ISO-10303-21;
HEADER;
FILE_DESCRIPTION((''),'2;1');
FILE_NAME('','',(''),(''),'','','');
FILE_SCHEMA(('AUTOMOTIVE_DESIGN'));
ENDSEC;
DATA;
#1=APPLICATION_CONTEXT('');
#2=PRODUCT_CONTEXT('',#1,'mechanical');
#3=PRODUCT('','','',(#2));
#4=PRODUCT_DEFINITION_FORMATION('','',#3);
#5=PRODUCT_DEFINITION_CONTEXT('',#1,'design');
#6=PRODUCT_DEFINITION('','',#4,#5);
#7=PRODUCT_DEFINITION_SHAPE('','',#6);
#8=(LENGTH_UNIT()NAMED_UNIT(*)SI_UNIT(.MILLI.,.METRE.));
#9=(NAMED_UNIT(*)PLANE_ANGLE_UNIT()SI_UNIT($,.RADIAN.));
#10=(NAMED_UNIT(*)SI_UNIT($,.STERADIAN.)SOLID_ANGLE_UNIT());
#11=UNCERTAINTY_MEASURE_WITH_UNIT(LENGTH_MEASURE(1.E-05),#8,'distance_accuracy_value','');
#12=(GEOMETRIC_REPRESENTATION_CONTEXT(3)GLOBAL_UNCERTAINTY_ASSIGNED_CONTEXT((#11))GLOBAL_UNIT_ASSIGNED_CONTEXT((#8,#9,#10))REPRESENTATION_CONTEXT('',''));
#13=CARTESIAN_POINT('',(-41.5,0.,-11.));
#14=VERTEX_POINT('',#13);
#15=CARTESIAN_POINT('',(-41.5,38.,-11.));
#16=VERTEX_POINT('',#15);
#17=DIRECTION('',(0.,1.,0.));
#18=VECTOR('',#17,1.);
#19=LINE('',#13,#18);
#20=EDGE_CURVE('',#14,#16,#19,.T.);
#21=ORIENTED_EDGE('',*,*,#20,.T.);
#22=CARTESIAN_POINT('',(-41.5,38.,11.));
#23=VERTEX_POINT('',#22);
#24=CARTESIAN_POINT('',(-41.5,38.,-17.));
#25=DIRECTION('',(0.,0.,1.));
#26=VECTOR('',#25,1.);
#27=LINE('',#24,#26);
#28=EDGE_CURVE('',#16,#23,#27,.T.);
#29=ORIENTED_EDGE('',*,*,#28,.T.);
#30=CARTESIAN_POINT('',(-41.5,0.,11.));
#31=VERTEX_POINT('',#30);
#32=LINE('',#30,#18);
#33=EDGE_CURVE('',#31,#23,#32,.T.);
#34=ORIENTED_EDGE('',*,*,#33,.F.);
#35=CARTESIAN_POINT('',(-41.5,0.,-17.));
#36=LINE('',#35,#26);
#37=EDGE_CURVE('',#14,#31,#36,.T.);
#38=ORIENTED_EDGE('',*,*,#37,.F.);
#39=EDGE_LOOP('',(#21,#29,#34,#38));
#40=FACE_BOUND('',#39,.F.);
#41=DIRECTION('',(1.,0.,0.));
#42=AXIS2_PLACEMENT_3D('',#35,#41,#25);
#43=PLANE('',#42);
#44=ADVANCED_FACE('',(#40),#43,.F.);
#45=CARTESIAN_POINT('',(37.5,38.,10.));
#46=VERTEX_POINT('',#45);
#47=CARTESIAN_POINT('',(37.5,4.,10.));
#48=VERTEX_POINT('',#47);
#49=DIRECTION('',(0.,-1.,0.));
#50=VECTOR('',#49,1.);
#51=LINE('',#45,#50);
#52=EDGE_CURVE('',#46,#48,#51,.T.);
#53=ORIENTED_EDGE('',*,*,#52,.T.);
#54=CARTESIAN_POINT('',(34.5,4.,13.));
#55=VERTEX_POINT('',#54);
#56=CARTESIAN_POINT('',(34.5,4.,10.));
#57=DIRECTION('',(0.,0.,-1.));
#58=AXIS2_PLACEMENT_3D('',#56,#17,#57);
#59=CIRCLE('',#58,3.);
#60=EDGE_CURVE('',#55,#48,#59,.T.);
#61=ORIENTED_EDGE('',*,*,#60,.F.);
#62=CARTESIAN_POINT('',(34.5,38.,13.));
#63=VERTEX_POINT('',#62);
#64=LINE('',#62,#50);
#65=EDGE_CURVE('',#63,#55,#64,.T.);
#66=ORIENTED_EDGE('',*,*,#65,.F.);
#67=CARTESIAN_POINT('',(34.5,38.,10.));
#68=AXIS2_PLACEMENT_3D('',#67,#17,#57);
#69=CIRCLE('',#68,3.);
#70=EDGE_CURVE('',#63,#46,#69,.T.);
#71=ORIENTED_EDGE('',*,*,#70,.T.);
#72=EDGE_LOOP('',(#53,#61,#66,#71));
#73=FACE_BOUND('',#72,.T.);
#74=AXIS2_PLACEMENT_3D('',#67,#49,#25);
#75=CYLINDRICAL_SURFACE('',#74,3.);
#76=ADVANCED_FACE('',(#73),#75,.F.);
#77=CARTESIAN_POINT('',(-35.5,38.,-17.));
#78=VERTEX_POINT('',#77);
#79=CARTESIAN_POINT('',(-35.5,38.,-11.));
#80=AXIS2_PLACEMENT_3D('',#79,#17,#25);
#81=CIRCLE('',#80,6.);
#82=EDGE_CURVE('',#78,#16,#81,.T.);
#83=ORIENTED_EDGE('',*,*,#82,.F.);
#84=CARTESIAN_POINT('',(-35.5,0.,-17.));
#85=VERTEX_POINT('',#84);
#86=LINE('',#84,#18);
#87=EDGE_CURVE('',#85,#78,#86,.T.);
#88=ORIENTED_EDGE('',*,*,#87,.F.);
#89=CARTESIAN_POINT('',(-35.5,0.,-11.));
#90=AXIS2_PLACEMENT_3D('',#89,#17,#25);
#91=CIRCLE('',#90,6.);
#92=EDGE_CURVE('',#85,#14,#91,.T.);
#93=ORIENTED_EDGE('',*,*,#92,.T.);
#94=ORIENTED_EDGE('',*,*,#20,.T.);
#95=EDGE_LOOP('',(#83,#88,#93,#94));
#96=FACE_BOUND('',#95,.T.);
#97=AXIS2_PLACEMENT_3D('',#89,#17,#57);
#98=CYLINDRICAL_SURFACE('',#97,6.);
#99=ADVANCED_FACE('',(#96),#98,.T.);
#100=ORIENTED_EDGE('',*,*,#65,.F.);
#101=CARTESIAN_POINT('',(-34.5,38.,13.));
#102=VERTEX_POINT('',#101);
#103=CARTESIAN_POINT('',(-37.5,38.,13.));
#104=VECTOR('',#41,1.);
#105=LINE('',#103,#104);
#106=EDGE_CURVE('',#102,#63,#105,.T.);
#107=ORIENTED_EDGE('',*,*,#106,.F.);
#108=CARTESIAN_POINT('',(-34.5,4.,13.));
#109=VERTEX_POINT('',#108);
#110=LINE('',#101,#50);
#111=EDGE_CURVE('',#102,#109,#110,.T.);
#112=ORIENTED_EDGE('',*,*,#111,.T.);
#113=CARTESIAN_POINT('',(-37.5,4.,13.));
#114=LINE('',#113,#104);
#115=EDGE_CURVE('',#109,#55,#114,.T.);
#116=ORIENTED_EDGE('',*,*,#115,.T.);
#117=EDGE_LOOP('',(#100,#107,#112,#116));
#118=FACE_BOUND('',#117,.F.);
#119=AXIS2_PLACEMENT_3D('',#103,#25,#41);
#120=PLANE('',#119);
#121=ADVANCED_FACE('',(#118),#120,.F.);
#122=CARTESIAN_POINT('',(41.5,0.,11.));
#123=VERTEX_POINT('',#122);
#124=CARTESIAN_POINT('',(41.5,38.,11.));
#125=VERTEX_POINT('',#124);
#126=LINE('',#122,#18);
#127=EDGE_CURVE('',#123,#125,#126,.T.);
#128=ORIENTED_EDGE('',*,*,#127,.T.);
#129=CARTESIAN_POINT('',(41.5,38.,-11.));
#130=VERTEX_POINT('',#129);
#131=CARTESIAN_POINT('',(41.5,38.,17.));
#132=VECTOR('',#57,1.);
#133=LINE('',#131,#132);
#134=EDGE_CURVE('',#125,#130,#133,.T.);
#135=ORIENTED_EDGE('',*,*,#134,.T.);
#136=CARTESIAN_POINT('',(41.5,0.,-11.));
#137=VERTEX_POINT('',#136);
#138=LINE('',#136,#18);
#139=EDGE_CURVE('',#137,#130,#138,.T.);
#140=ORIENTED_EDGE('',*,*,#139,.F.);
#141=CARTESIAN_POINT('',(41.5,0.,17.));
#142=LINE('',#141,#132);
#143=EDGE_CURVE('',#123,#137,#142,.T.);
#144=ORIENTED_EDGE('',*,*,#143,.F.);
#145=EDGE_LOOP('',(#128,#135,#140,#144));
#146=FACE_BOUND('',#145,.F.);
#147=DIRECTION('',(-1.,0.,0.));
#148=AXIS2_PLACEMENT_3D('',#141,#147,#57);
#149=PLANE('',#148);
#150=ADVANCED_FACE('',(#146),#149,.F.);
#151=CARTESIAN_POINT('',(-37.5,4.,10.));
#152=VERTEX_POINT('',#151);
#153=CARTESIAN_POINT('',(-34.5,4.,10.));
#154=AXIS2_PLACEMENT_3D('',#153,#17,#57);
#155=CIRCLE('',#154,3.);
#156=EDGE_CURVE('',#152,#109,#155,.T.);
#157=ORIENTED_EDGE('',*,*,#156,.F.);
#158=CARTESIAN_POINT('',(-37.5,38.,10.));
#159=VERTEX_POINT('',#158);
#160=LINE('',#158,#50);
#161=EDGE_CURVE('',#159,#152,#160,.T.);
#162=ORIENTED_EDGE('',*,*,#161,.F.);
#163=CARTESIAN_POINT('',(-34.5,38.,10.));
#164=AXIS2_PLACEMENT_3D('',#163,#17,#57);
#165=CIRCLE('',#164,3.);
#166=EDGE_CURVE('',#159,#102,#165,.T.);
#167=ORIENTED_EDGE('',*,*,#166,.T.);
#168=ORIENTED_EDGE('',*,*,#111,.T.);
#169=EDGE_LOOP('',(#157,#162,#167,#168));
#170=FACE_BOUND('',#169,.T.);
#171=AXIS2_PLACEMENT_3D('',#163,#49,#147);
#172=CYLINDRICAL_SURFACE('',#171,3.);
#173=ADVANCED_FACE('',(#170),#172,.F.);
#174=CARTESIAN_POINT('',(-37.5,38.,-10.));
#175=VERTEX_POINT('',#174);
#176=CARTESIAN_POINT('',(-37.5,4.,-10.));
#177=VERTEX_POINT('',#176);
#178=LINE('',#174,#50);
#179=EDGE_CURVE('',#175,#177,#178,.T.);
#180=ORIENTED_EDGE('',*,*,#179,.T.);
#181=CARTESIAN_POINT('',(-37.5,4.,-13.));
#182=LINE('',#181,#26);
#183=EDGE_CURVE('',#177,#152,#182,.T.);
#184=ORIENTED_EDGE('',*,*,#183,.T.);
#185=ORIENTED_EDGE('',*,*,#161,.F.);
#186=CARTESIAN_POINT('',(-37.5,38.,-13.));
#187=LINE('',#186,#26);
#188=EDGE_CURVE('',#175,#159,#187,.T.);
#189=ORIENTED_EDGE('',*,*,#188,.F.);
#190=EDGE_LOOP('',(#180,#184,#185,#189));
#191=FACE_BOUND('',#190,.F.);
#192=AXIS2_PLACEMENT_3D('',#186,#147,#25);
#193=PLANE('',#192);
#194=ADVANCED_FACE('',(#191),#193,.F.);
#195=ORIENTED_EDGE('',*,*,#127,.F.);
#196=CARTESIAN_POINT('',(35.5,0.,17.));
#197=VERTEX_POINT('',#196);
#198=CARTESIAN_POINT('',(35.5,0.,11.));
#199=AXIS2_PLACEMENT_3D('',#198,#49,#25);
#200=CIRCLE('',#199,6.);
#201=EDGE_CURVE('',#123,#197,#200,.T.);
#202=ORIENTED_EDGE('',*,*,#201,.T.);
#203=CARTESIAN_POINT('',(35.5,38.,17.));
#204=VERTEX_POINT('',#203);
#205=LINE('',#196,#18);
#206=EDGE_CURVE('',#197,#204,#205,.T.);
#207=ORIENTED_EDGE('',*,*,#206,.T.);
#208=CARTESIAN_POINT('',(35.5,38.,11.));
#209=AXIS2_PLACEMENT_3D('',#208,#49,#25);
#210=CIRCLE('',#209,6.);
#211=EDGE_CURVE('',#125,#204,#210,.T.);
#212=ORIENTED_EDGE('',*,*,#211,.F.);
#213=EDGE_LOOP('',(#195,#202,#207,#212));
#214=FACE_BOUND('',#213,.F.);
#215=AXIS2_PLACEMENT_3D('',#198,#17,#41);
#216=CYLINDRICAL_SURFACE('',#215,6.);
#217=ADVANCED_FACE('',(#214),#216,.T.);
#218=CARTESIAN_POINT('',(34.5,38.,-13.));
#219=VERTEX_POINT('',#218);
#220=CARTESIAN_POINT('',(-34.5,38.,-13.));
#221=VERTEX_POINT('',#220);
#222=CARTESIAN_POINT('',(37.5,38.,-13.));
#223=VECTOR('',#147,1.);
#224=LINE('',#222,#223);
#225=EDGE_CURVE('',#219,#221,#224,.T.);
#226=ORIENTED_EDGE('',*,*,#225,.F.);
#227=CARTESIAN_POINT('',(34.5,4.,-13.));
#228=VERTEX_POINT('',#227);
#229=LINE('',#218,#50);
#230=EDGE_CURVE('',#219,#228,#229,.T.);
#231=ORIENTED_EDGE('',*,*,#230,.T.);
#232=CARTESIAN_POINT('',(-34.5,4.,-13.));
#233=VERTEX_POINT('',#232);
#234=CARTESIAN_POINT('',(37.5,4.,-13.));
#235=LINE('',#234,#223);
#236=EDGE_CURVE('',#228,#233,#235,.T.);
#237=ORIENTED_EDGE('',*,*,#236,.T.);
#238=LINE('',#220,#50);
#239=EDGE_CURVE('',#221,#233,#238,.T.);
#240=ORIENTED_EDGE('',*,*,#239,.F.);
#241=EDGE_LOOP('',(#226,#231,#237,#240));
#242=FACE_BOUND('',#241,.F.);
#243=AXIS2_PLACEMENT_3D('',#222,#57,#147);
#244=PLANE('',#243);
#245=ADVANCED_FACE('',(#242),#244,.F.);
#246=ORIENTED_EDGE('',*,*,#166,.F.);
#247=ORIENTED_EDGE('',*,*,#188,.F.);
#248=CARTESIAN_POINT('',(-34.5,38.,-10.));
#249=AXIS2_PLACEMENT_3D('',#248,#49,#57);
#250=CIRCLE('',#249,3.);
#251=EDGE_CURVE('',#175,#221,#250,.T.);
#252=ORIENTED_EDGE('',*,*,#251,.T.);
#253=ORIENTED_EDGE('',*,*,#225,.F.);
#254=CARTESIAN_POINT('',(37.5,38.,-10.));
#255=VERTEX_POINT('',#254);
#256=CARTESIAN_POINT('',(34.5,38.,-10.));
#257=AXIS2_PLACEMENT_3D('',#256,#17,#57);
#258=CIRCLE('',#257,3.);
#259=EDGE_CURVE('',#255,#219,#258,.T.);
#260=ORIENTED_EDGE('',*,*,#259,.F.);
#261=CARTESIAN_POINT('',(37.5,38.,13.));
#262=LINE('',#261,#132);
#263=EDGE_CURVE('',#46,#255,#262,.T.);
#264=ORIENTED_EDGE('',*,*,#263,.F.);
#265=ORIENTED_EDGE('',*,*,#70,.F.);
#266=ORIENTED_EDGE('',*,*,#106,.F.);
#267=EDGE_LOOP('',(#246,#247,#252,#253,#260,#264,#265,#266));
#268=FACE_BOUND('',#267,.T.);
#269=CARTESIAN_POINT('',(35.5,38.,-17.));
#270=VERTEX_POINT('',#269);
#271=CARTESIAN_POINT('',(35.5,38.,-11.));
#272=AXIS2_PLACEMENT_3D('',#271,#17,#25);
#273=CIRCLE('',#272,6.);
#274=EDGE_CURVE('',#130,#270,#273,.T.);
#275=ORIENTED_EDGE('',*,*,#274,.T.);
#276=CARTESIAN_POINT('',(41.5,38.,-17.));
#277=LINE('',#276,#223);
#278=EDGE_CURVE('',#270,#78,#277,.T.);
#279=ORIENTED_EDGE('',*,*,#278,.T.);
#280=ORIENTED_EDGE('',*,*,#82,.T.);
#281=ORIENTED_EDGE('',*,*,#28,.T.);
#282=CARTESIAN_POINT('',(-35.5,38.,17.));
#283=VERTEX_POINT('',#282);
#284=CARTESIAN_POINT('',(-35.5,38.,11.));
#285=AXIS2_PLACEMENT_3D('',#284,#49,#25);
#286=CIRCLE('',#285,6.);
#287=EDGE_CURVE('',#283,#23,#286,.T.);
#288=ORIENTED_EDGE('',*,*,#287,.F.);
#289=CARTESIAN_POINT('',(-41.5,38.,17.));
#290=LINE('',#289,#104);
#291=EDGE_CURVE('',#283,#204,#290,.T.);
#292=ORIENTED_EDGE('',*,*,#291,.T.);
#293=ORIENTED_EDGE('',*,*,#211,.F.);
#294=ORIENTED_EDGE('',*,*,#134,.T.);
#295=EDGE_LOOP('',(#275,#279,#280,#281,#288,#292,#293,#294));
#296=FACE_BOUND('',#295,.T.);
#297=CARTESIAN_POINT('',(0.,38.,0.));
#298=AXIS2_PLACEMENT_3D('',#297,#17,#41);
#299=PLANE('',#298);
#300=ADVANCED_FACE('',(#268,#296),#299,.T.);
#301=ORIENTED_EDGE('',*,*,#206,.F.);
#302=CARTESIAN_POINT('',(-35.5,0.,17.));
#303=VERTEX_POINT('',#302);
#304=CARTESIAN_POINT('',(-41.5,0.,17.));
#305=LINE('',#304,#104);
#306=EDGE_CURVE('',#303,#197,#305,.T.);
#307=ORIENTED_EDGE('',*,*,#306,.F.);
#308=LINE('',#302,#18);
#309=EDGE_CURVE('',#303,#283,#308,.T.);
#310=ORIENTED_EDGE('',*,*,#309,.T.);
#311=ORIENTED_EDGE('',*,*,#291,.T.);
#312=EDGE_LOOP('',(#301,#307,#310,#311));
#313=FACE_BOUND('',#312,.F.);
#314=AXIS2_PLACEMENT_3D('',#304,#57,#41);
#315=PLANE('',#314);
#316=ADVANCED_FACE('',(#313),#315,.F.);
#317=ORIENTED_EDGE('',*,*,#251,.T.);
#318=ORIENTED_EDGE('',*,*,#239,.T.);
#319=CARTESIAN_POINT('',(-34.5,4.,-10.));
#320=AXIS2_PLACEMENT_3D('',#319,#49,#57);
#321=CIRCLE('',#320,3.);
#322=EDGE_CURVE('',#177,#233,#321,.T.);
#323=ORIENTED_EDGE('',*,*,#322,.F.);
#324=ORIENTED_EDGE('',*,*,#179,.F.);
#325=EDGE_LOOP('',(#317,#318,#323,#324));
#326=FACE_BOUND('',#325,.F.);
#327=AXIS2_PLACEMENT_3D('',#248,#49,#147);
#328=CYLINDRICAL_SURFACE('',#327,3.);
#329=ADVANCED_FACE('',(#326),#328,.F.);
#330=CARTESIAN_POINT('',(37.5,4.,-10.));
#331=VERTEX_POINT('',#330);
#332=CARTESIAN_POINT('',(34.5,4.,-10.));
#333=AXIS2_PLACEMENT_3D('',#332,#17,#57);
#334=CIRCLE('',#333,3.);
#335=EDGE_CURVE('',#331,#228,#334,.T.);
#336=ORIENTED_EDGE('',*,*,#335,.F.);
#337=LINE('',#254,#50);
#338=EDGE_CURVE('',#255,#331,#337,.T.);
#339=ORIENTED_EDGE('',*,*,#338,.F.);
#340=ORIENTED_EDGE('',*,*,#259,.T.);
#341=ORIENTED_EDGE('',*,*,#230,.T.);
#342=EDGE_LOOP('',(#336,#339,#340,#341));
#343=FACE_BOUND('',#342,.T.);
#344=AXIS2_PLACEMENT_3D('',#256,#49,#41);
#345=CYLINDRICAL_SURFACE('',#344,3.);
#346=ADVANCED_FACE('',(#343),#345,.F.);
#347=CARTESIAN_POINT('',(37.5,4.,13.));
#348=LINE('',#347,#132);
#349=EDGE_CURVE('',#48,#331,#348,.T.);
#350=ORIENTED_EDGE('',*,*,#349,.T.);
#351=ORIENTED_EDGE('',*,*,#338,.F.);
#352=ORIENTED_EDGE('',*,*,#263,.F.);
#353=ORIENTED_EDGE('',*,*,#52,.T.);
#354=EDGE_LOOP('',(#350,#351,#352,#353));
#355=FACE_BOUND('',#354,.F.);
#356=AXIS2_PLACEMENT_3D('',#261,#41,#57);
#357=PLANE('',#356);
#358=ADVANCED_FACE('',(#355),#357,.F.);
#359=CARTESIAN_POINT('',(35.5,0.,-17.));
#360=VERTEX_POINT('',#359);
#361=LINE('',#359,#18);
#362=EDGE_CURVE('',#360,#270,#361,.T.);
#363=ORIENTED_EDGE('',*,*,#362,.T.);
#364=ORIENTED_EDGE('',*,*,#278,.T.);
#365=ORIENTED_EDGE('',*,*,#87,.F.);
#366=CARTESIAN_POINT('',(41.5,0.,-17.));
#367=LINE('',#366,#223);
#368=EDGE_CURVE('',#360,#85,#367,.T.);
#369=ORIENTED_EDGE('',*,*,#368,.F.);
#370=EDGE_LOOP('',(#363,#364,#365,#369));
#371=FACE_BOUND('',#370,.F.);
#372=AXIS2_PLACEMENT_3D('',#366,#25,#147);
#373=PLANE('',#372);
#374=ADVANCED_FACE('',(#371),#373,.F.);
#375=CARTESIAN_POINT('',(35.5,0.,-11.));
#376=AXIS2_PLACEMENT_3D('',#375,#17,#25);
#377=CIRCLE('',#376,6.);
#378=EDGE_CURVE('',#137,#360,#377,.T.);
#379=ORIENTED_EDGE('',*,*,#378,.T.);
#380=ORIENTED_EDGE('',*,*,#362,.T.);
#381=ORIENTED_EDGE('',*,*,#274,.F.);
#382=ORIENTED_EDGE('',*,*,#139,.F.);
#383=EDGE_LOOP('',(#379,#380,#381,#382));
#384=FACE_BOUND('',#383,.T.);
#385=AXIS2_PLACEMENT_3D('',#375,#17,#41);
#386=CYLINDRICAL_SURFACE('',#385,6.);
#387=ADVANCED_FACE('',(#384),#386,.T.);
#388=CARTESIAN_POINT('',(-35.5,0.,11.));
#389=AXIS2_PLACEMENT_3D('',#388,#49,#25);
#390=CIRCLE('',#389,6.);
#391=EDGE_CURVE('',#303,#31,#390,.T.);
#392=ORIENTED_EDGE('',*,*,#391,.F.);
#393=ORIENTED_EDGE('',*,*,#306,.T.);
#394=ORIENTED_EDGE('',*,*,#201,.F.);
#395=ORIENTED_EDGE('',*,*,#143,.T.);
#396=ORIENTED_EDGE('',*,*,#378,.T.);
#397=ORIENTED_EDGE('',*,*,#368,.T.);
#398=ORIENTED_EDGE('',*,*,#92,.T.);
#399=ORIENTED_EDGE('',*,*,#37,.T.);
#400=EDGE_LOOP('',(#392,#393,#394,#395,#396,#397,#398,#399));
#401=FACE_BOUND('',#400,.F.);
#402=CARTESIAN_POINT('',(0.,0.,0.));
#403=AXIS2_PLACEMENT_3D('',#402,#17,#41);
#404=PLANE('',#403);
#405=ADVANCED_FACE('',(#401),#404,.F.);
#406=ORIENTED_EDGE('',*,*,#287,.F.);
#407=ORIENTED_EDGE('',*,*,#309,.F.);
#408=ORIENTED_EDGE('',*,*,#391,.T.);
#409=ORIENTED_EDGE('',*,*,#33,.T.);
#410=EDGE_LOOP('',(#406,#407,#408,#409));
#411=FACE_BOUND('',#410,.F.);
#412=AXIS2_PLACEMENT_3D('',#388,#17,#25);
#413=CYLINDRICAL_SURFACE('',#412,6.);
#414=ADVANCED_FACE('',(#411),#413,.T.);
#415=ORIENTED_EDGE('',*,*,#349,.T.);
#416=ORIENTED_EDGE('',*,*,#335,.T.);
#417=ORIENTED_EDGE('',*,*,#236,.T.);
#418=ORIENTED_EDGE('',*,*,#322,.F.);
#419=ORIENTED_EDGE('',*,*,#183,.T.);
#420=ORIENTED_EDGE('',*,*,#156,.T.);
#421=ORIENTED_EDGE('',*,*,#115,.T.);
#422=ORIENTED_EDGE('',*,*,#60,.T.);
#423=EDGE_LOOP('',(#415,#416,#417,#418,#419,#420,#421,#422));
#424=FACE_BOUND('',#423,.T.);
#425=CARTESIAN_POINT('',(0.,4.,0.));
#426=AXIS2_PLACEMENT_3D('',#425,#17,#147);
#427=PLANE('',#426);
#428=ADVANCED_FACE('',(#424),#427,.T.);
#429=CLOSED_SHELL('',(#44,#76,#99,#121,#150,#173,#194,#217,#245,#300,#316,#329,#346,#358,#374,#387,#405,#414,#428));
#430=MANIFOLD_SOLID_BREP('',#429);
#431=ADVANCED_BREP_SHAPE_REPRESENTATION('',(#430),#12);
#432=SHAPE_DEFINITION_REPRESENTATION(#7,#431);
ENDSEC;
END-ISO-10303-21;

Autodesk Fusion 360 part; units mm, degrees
sketch "Sketch1" plane through (0, 0, 0) normal (0, 1, 0) x (1, 0, 0) in component "Body"
  line L0 (41.5, 17) -> (-41.5, 17)
  line L1 (-41.5, 17) -> (-41.5, -17)
  line L2 (-41.5, -17) -> (41.5, -17)
  line L3 (41.5, -17) -> (41.5, 17)
  line L4 (41.5, 17) -> (-41.5, -17) construction
  line L5 (-41.5, 17) -> (41.5, -17) construction
  dimension "d1" = 83
  dimension "d2" = 34
extrude "Extrude1" add sketch "Sketch1" along normal blind 38
sketch "Sketch1 (2)" plane through (0, 38, 0) normal (0, 1, 0) x (-1, 0, 0)
  line L0 (-41.5, 17) -> (-41.5, -17)
  line L1 (-41.5, -17) -> (41.5, -17)
  line L2 (41.5, -17) -> (41.5, 17)
  line L3 (41.5, 17) -> (-41.5, 17)
  line L4 (37.5, 13) -> (-37.5, 13)
  line L5 (-37.5, 13) -> (-37.5, -13)
  line L6 (-37.5, -13) -> (37.5, -13)
  line L7 (37.5, -13) -> (37.5, 13)
  dimension "d5" = -4
extrude "Extrude2" cut sketch "Sketch1 (2)" against normal up to surface (34 mm away) contours L4 L5 L6 L7
fillet "Fillet1" radius 3 4 edges at (-37.5, 21, -13) (-37.5, 21, 13) (37.5, 21, -13) (37.5, 21, 13)
fillet "Fillet2" radius 6 4 edges at (-41.5, 19, 17) (41.5, 19, -17) (41.5, 19, 17) (-41.5, 19, -17)
component "Body" placed x (1, 0, 0) y (0, 1, 0) z (0, 0, 1) at (0, 0, 0)
component "Lid" placed x (1, 0, 0) y (0, 1, 0) z (0, 0, 1) at (0, 0, 0)
